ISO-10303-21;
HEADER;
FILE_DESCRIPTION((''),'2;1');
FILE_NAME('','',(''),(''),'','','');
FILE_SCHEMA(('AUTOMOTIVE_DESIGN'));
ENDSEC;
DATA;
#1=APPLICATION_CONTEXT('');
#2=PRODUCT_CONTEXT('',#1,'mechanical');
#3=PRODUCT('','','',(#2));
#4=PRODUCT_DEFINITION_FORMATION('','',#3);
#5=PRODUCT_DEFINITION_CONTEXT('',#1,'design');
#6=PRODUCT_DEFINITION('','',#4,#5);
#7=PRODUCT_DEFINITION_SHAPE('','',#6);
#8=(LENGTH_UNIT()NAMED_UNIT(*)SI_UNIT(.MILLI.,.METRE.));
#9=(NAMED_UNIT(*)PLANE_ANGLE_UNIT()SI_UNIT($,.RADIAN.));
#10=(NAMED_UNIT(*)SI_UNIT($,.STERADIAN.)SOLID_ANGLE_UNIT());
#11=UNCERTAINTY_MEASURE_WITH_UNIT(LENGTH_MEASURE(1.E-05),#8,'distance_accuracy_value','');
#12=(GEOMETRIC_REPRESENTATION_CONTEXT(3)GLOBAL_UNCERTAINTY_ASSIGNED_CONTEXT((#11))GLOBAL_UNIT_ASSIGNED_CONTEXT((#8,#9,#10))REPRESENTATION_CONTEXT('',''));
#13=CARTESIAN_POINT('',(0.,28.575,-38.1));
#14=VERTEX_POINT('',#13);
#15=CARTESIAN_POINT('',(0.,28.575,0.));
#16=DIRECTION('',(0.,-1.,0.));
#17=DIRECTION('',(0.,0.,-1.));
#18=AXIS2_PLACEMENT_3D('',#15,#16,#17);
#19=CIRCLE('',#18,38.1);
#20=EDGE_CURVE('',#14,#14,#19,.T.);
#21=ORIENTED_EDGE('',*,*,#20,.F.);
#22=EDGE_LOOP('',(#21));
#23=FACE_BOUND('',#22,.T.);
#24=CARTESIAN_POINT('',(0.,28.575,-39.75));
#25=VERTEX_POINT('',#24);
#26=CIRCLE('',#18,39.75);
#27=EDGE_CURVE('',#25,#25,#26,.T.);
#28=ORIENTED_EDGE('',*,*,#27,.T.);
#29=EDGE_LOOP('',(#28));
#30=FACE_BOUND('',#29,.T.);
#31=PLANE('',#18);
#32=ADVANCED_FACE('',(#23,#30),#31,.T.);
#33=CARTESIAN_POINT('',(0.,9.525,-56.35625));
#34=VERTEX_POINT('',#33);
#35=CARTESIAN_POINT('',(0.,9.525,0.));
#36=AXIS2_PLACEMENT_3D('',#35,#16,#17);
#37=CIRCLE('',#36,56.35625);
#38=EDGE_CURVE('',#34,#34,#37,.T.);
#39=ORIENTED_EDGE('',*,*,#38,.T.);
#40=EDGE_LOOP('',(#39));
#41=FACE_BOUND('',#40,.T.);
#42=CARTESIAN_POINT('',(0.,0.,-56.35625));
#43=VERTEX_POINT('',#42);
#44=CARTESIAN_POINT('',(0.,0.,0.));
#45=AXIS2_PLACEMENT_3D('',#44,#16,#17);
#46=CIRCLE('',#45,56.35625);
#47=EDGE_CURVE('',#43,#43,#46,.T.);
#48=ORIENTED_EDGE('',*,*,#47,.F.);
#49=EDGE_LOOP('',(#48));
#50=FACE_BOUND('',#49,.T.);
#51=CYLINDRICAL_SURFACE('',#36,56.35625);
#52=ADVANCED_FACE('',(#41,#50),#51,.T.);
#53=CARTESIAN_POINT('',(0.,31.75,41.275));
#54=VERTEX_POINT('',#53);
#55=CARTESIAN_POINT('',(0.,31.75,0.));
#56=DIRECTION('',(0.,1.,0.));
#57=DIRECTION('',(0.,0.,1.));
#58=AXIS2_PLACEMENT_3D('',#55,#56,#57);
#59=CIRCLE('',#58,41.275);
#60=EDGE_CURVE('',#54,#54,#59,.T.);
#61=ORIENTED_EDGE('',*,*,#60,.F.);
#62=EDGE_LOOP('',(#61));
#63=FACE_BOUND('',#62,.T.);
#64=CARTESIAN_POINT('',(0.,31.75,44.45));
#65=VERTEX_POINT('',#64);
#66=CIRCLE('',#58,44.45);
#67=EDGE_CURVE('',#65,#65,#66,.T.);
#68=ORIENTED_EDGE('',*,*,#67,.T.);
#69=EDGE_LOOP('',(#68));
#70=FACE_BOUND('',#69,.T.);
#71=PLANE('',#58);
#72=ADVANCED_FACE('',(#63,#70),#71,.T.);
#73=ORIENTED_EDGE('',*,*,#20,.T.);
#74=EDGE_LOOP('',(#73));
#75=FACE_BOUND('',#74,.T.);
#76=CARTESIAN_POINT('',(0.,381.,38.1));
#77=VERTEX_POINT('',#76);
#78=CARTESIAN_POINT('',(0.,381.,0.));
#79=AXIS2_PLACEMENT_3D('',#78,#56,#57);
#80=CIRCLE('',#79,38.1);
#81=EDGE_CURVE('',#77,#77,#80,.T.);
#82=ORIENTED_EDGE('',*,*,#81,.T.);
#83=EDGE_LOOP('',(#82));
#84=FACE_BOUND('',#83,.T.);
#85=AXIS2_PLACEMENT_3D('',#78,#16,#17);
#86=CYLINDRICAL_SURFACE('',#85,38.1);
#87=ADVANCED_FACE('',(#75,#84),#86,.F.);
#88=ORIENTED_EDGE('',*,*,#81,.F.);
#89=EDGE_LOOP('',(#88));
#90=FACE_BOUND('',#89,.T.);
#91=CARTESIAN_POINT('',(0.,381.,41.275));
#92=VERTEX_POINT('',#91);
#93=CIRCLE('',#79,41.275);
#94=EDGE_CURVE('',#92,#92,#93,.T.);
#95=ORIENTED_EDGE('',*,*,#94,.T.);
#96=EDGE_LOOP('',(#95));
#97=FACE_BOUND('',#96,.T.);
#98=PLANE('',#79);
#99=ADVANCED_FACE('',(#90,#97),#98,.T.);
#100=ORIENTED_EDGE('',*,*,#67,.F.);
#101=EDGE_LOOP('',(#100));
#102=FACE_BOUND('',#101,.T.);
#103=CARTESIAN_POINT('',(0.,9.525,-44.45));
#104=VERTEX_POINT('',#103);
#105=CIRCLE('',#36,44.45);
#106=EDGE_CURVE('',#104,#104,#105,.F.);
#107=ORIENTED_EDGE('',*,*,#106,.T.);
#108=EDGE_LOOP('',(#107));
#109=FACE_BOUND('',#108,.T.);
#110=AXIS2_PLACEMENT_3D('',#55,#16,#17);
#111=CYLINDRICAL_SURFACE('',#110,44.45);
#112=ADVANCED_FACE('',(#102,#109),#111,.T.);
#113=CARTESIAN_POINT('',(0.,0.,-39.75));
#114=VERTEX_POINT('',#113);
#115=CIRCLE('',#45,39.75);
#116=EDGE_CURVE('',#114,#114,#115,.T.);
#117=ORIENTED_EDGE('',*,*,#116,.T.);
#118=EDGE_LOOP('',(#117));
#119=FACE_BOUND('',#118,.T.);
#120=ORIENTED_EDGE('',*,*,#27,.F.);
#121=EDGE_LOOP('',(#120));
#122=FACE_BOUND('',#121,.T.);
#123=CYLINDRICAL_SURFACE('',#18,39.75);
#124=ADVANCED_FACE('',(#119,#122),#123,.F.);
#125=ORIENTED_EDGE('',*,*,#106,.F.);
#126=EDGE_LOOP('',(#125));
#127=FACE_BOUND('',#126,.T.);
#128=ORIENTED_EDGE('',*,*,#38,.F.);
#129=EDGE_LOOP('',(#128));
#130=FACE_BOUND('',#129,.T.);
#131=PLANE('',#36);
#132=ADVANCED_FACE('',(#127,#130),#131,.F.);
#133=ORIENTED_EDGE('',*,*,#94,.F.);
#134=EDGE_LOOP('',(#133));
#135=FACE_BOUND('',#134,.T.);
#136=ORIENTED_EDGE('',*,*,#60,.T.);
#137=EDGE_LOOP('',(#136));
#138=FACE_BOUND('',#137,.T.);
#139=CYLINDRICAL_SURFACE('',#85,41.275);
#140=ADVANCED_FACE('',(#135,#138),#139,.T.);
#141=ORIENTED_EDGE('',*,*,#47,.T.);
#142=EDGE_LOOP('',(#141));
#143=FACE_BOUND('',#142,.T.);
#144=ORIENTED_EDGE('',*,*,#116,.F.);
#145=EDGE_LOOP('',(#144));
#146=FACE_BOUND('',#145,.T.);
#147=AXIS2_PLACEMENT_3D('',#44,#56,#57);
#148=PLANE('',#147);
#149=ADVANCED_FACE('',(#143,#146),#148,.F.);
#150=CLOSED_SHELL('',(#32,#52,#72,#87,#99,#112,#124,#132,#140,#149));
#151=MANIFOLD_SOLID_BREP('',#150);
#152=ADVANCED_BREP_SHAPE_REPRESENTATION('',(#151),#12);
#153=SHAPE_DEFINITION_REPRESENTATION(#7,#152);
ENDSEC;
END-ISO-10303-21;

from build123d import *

# Parameters (mm, degrees)
SKETCH2_R               = 41.275
SKETCH2_R_2             = 38.1
BASE_CYLINDER_DEPTH     = 381
SKETCH3_R               = 56.35625
SKETCH3_R_2             = 38.1
AFT_FLANGE_DEPTH        = 9.525
SKETCH34_R              = 39.75
TEMPERATUREINSERT_DEPTH = 28.575
SKETCH33_R              = 44.45
SKETCH33_R_2            = 41.275
CRITICALBOSS_DEPTH      = 22.225


with BuildPart() as part:
    # Sketch2 → Base Cylinder (new body)
    with BuildSketch(Plane(origin=(0, 0, 0), x_dir=(1, 0, 0), z_dir=(0, 1, 0))):
        Circle(SKETCH2_R)
        Circle(SKETCH2_R_2, mode=Mode.SUBTRACT)
    extrude(amount=BASE_CYLINDER_DEPTH)

    # Sketch3 → Aft Flange (add)
    with BuildSketch(Plane.XZ):
        Circle(SKETCH3_R)
        Circle(SKETCH3_R_2, mode=Mode.SUBTRACT)
    extrude(amount=-AFT_FLANGE_DEPTH)

    # Sketch34 → TemperatureInsert (cut)
    with BuildSketch(Plane.XZ):
        Circle(SKETCH34_R)
    extrude(amount=-TEMPERATUREINSERT_DEPTH, mode=Mode.SUBTRACT)

    # Sketch33 → CriticalBoss (add)
    with BuildSketch(Plane(origin=(0, 9.525, 0), x_dir=(1, 0, 0), z_dir=(0, 1, 0))):
        Circle(SKETCH33_R)
        Circle(SKETCH33_R_2, mode=Mode.SUBTRACT)
    extrude(amount=CRITICALBOSS_DEPTH)


solid = part.part
